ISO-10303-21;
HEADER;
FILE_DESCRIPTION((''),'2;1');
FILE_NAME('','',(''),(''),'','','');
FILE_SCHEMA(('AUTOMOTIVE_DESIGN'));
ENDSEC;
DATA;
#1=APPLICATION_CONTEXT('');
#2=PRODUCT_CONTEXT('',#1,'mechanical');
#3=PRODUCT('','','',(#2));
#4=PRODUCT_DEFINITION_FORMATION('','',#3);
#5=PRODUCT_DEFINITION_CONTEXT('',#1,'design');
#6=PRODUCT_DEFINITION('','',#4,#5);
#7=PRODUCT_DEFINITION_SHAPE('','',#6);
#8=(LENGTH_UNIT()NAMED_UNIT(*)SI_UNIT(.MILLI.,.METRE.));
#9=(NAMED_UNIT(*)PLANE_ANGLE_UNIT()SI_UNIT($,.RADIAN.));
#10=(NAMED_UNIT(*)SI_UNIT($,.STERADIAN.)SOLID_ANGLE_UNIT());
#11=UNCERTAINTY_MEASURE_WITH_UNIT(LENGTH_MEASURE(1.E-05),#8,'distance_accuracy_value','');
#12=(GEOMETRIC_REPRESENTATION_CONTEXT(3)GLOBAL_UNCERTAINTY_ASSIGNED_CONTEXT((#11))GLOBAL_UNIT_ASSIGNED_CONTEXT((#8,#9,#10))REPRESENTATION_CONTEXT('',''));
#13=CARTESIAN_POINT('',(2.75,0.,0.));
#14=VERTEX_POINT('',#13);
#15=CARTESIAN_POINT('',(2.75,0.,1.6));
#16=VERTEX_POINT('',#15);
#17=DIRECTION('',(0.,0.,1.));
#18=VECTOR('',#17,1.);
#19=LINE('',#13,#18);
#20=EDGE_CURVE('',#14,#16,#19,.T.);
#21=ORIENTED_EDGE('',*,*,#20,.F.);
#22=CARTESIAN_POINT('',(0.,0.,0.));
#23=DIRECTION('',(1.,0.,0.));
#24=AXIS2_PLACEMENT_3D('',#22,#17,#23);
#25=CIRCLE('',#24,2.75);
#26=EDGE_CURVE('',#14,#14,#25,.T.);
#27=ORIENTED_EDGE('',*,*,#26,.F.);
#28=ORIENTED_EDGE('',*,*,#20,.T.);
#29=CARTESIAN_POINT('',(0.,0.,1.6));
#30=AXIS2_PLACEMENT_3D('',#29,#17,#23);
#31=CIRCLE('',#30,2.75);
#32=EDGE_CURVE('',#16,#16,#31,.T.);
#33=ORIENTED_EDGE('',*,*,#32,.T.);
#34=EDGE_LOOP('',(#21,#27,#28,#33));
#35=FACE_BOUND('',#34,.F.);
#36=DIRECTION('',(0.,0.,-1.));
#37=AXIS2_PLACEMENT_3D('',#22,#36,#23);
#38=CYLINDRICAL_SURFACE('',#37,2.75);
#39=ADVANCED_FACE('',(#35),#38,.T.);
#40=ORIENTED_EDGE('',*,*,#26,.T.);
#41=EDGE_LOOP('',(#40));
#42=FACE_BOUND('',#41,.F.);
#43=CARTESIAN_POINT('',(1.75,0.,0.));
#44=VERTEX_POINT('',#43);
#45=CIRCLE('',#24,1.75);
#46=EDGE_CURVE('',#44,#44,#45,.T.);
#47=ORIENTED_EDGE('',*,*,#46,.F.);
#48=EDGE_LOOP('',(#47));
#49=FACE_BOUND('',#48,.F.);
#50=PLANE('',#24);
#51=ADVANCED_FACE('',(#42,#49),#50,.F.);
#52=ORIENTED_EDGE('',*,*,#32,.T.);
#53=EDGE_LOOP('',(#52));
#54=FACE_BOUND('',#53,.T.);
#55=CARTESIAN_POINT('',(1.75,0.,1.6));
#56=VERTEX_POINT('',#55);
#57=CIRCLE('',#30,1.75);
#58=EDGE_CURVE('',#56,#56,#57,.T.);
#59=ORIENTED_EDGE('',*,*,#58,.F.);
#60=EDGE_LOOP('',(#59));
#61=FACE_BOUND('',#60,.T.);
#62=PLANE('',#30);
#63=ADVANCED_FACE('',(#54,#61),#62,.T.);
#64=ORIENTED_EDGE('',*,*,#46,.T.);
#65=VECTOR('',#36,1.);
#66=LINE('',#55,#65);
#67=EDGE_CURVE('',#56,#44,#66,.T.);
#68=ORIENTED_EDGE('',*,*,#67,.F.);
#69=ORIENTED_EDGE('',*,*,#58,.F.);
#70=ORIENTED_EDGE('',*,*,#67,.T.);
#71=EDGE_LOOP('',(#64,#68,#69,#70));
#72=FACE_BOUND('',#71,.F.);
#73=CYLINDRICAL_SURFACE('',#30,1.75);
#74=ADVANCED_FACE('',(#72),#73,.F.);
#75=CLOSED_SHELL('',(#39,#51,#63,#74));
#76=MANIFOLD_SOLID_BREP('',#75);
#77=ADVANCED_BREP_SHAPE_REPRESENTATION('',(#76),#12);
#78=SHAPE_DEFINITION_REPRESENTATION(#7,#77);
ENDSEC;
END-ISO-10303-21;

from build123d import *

# Parameters (mm, degrees)
SKETCH_R     = 2.75
PAD_DEPTH    = 1.6
SKETCH001_R  = 1.75
POCKET_DEPTH = 5


with BuildPart() as part:
    # Sketch → Pad (new body)
    with BuildSketch(Plane.XY):
        Circle(SKETCH_R)
    extrude(amount=PAD_DEPTH)

    # Sketch001 (on Face3 of Pad) → Pocket (cut)
    with BuildSketch(Plane.XY.offset(1.6)):
        Circle(SKETCH001_R)
    extrude(amount=-POCKET_DEPTH, mode=Mode.SUBTRACT)


solid = part.part
